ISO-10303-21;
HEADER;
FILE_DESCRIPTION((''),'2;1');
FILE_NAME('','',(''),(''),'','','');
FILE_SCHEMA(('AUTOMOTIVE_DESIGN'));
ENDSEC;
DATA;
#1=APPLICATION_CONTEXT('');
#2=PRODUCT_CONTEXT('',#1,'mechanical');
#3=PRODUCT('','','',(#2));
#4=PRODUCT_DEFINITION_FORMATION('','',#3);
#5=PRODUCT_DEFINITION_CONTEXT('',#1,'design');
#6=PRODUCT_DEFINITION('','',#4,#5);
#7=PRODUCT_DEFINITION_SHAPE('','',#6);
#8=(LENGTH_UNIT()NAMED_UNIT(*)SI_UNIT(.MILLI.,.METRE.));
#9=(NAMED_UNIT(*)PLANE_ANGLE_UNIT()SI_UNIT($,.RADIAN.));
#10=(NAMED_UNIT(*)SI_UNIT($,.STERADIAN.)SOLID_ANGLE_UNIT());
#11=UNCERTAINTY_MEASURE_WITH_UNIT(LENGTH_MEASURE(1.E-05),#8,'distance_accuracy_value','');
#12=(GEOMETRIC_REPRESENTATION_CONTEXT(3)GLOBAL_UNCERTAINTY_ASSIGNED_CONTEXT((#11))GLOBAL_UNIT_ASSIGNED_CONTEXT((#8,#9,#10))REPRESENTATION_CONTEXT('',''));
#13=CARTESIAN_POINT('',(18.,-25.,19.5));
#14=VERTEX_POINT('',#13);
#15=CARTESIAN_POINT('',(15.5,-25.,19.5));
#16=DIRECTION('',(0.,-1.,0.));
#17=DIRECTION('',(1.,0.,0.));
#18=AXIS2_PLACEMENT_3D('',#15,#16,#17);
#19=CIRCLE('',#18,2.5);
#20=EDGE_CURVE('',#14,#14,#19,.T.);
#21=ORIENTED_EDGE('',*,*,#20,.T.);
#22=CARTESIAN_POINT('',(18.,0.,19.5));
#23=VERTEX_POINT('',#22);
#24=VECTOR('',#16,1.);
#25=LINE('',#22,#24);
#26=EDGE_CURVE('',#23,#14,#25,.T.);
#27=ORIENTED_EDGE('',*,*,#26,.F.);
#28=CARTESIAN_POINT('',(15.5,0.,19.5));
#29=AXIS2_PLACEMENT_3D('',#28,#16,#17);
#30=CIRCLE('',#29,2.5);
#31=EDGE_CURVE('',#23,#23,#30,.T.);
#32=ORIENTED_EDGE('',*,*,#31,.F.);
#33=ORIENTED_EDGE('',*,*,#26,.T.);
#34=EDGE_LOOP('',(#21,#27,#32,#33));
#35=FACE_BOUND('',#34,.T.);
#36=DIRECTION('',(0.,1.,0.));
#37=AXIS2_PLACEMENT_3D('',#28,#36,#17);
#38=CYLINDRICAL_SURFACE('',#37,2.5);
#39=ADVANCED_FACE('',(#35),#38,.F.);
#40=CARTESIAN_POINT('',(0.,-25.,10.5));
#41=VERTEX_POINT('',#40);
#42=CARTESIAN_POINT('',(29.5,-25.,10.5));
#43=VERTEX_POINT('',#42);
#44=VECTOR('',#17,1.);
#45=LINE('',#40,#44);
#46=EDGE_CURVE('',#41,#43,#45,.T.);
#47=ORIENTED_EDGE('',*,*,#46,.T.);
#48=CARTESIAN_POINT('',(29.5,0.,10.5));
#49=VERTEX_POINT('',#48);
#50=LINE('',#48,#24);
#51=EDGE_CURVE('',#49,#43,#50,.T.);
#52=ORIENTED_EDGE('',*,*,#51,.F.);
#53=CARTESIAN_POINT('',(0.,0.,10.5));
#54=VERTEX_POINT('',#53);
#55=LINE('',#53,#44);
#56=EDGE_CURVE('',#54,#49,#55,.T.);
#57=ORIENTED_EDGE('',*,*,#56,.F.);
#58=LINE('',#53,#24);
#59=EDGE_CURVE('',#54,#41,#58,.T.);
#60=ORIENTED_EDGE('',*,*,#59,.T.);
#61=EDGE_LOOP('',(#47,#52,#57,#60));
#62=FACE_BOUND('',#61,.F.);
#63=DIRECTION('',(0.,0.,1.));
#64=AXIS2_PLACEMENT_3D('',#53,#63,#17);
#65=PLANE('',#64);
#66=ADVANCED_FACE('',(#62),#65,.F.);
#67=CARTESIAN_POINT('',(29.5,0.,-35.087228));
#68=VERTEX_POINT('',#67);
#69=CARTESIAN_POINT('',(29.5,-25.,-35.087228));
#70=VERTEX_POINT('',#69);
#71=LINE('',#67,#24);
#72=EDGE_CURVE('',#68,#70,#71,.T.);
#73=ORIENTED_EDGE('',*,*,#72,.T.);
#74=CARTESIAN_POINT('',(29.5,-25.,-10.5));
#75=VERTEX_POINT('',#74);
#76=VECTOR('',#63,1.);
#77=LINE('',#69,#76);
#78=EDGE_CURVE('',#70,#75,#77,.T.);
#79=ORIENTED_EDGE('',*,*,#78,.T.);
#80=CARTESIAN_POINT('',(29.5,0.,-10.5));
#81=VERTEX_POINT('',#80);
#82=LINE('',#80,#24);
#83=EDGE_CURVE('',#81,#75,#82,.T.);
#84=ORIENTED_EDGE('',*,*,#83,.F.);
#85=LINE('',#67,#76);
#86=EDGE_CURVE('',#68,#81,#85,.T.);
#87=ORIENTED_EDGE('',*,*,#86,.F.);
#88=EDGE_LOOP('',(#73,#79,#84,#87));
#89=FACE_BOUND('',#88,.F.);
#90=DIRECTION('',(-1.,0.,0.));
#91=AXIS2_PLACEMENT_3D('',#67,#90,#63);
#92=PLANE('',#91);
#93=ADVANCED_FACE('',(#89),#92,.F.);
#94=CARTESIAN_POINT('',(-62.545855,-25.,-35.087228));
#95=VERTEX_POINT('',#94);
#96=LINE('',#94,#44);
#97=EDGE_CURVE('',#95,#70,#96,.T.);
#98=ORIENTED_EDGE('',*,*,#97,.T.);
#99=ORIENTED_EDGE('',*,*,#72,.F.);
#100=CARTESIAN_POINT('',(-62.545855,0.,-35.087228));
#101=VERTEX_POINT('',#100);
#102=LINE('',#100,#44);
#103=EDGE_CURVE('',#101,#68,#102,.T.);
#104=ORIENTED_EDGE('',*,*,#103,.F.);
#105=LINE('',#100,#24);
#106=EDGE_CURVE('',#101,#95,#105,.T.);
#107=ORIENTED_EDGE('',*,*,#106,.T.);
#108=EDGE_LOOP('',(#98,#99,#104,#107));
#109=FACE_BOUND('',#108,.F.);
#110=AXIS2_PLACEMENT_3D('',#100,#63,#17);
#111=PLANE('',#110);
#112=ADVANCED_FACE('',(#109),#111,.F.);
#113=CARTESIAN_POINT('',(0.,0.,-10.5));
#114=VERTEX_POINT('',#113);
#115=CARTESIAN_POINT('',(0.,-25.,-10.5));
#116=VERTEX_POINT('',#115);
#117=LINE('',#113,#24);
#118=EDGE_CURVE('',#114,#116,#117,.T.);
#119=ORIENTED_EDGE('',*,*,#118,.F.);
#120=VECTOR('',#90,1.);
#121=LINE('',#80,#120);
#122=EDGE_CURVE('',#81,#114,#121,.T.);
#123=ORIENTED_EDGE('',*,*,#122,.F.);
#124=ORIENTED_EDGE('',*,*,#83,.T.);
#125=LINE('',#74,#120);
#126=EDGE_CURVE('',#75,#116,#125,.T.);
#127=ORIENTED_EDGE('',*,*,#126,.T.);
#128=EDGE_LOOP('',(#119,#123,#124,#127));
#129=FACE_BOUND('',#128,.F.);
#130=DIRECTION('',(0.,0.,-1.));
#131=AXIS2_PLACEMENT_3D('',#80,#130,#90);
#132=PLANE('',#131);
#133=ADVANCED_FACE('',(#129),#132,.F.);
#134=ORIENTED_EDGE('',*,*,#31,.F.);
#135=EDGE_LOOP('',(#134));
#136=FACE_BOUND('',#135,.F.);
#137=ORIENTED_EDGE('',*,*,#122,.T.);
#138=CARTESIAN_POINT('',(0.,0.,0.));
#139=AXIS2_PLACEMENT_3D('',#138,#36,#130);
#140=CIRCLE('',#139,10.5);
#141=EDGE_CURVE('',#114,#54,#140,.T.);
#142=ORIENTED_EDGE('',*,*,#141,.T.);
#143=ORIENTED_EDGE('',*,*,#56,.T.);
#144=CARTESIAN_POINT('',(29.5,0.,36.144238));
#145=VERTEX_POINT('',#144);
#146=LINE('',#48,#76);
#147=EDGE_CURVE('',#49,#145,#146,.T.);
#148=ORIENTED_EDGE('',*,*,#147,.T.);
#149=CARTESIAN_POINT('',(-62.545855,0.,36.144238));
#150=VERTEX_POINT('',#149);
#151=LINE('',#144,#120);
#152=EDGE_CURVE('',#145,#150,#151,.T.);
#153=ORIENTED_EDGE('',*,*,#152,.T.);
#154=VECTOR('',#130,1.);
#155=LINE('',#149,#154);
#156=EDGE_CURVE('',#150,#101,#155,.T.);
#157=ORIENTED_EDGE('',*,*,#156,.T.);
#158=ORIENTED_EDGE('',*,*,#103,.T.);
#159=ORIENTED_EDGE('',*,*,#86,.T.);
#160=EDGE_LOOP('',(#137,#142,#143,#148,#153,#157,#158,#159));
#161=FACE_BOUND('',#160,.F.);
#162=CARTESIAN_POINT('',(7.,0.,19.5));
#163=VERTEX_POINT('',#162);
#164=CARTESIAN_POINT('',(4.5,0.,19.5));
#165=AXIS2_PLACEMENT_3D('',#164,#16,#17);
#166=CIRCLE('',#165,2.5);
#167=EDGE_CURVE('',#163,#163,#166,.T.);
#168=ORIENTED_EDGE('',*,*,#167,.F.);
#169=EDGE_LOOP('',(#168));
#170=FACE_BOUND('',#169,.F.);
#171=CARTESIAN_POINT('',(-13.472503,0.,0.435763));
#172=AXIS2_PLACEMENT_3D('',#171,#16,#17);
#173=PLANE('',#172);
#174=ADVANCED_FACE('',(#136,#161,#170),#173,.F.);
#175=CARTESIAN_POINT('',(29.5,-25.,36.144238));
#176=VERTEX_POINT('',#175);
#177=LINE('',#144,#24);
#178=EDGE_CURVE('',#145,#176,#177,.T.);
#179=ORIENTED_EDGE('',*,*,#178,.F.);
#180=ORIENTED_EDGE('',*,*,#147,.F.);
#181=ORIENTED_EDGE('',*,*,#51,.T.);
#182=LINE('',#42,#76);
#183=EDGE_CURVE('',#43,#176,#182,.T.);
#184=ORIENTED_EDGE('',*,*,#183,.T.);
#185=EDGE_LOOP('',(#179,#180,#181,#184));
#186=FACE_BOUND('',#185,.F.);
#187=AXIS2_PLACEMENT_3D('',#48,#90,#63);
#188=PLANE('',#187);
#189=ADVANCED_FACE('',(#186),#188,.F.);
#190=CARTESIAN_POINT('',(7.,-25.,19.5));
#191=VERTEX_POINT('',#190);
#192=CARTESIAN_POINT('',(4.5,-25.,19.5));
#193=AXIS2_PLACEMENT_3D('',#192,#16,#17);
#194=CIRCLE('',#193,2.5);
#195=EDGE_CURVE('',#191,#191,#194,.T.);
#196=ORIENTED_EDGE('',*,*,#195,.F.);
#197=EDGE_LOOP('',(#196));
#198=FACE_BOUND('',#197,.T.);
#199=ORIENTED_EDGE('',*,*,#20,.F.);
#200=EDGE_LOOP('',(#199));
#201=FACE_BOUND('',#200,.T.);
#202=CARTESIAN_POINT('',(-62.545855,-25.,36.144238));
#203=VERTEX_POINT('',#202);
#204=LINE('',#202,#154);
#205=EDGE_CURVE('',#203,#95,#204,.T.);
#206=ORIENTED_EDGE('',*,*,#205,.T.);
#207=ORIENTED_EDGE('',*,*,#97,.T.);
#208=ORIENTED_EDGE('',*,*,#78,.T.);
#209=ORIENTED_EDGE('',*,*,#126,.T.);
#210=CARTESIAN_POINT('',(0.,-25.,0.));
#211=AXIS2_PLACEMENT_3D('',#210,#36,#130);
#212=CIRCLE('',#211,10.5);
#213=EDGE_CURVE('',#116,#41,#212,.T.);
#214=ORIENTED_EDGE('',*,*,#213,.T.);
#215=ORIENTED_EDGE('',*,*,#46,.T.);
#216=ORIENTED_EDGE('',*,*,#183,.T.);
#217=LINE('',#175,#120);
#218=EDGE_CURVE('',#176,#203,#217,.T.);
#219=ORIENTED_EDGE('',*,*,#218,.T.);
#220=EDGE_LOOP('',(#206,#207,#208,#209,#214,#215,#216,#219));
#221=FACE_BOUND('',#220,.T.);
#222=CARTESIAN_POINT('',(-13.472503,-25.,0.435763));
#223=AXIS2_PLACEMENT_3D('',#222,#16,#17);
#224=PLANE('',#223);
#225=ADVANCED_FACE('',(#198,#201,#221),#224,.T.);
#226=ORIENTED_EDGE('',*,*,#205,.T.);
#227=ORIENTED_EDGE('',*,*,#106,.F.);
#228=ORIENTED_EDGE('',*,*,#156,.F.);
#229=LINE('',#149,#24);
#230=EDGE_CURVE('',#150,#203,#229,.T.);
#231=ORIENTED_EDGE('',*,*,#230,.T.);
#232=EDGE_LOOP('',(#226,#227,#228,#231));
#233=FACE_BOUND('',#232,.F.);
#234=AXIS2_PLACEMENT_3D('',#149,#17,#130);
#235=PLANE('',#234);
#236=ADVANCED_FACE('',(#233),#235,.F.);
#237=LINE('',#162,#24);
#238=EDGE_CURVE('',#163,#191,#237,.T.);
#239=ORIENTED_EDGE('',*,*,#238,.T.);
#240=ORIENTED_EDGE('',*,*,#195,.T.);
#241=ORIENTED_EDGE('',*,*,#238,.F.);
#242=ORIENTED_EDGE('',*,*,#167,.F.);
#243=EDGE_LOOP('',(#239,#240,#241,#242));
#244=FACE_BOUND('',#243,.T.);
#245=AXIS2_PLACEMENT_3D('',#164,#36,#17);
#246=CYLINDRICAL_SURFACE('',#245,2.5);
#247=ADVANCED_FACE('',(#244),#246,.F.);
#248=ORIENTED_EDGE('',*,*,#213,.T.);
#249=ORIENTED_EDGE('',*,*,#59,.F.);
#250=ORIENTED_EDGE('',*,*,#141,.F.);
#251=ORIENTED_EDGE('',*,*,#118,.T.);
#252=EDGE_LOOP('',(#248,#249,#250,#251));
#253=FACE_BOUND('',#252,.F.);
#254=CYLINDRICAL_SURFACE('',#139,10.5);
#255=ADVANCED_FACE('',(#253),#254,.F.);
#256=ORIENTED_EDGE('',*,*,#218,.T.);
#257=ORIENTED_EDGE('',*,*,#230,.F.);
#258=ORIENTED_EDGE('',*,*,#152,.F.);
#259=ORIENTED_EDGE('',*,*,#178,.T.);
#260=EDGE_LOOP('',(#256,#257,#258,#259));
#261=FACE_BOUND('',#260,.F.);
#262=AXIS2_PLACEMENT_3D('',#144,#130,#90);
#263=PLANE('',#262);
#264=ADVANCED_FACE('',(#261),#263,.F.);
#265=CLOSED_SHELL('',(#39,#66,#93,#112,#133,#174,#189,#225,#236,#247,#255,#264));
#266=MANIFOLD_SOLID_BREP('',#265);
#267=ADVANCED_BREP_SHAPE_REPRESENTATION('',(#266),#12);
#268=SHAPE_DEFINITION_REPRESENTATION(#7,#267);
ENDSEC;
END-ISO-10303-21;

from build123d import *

# Parameters (mm, degrees)
F0_R     = 2.5
F1_DEPTH = 25


with BuildPart() as f1:
    # F0 (on Front) → F1 (new body)
    with BuildSketch(Plane.XZ):
        with BuildLine():
            ThreePointArc((0, -10.5), (-10.5, 0), (0, 10.5))
            Line((0, 10.5), (29.5, 10.5))
            Line((29.5, 10.5), (29.5, 36.144238))
            Line((29.5, 36.144238), (-62.545855, 36.144238))
            Line((-62.545855, 36.144238), (-62.545855, -35.087228))
            Line((-62.545855, -35.087228), (29.5, -35.087228))
            Line((29.5, -35.087228), (29.5, -10.5))
            Line((29.5, -10.5), (0, -10.5))
        make_face()
        with Locations((4.5, 19.5)):
            Circle(F0_R, mode=Mode.SUBTRACT)
        with Locations((15.5, 19.5)):
            Circle(F0_R, mode=Mode.SUBTRACT)
    extrude(amount=F1_DEPTH)


solid = f1.part
